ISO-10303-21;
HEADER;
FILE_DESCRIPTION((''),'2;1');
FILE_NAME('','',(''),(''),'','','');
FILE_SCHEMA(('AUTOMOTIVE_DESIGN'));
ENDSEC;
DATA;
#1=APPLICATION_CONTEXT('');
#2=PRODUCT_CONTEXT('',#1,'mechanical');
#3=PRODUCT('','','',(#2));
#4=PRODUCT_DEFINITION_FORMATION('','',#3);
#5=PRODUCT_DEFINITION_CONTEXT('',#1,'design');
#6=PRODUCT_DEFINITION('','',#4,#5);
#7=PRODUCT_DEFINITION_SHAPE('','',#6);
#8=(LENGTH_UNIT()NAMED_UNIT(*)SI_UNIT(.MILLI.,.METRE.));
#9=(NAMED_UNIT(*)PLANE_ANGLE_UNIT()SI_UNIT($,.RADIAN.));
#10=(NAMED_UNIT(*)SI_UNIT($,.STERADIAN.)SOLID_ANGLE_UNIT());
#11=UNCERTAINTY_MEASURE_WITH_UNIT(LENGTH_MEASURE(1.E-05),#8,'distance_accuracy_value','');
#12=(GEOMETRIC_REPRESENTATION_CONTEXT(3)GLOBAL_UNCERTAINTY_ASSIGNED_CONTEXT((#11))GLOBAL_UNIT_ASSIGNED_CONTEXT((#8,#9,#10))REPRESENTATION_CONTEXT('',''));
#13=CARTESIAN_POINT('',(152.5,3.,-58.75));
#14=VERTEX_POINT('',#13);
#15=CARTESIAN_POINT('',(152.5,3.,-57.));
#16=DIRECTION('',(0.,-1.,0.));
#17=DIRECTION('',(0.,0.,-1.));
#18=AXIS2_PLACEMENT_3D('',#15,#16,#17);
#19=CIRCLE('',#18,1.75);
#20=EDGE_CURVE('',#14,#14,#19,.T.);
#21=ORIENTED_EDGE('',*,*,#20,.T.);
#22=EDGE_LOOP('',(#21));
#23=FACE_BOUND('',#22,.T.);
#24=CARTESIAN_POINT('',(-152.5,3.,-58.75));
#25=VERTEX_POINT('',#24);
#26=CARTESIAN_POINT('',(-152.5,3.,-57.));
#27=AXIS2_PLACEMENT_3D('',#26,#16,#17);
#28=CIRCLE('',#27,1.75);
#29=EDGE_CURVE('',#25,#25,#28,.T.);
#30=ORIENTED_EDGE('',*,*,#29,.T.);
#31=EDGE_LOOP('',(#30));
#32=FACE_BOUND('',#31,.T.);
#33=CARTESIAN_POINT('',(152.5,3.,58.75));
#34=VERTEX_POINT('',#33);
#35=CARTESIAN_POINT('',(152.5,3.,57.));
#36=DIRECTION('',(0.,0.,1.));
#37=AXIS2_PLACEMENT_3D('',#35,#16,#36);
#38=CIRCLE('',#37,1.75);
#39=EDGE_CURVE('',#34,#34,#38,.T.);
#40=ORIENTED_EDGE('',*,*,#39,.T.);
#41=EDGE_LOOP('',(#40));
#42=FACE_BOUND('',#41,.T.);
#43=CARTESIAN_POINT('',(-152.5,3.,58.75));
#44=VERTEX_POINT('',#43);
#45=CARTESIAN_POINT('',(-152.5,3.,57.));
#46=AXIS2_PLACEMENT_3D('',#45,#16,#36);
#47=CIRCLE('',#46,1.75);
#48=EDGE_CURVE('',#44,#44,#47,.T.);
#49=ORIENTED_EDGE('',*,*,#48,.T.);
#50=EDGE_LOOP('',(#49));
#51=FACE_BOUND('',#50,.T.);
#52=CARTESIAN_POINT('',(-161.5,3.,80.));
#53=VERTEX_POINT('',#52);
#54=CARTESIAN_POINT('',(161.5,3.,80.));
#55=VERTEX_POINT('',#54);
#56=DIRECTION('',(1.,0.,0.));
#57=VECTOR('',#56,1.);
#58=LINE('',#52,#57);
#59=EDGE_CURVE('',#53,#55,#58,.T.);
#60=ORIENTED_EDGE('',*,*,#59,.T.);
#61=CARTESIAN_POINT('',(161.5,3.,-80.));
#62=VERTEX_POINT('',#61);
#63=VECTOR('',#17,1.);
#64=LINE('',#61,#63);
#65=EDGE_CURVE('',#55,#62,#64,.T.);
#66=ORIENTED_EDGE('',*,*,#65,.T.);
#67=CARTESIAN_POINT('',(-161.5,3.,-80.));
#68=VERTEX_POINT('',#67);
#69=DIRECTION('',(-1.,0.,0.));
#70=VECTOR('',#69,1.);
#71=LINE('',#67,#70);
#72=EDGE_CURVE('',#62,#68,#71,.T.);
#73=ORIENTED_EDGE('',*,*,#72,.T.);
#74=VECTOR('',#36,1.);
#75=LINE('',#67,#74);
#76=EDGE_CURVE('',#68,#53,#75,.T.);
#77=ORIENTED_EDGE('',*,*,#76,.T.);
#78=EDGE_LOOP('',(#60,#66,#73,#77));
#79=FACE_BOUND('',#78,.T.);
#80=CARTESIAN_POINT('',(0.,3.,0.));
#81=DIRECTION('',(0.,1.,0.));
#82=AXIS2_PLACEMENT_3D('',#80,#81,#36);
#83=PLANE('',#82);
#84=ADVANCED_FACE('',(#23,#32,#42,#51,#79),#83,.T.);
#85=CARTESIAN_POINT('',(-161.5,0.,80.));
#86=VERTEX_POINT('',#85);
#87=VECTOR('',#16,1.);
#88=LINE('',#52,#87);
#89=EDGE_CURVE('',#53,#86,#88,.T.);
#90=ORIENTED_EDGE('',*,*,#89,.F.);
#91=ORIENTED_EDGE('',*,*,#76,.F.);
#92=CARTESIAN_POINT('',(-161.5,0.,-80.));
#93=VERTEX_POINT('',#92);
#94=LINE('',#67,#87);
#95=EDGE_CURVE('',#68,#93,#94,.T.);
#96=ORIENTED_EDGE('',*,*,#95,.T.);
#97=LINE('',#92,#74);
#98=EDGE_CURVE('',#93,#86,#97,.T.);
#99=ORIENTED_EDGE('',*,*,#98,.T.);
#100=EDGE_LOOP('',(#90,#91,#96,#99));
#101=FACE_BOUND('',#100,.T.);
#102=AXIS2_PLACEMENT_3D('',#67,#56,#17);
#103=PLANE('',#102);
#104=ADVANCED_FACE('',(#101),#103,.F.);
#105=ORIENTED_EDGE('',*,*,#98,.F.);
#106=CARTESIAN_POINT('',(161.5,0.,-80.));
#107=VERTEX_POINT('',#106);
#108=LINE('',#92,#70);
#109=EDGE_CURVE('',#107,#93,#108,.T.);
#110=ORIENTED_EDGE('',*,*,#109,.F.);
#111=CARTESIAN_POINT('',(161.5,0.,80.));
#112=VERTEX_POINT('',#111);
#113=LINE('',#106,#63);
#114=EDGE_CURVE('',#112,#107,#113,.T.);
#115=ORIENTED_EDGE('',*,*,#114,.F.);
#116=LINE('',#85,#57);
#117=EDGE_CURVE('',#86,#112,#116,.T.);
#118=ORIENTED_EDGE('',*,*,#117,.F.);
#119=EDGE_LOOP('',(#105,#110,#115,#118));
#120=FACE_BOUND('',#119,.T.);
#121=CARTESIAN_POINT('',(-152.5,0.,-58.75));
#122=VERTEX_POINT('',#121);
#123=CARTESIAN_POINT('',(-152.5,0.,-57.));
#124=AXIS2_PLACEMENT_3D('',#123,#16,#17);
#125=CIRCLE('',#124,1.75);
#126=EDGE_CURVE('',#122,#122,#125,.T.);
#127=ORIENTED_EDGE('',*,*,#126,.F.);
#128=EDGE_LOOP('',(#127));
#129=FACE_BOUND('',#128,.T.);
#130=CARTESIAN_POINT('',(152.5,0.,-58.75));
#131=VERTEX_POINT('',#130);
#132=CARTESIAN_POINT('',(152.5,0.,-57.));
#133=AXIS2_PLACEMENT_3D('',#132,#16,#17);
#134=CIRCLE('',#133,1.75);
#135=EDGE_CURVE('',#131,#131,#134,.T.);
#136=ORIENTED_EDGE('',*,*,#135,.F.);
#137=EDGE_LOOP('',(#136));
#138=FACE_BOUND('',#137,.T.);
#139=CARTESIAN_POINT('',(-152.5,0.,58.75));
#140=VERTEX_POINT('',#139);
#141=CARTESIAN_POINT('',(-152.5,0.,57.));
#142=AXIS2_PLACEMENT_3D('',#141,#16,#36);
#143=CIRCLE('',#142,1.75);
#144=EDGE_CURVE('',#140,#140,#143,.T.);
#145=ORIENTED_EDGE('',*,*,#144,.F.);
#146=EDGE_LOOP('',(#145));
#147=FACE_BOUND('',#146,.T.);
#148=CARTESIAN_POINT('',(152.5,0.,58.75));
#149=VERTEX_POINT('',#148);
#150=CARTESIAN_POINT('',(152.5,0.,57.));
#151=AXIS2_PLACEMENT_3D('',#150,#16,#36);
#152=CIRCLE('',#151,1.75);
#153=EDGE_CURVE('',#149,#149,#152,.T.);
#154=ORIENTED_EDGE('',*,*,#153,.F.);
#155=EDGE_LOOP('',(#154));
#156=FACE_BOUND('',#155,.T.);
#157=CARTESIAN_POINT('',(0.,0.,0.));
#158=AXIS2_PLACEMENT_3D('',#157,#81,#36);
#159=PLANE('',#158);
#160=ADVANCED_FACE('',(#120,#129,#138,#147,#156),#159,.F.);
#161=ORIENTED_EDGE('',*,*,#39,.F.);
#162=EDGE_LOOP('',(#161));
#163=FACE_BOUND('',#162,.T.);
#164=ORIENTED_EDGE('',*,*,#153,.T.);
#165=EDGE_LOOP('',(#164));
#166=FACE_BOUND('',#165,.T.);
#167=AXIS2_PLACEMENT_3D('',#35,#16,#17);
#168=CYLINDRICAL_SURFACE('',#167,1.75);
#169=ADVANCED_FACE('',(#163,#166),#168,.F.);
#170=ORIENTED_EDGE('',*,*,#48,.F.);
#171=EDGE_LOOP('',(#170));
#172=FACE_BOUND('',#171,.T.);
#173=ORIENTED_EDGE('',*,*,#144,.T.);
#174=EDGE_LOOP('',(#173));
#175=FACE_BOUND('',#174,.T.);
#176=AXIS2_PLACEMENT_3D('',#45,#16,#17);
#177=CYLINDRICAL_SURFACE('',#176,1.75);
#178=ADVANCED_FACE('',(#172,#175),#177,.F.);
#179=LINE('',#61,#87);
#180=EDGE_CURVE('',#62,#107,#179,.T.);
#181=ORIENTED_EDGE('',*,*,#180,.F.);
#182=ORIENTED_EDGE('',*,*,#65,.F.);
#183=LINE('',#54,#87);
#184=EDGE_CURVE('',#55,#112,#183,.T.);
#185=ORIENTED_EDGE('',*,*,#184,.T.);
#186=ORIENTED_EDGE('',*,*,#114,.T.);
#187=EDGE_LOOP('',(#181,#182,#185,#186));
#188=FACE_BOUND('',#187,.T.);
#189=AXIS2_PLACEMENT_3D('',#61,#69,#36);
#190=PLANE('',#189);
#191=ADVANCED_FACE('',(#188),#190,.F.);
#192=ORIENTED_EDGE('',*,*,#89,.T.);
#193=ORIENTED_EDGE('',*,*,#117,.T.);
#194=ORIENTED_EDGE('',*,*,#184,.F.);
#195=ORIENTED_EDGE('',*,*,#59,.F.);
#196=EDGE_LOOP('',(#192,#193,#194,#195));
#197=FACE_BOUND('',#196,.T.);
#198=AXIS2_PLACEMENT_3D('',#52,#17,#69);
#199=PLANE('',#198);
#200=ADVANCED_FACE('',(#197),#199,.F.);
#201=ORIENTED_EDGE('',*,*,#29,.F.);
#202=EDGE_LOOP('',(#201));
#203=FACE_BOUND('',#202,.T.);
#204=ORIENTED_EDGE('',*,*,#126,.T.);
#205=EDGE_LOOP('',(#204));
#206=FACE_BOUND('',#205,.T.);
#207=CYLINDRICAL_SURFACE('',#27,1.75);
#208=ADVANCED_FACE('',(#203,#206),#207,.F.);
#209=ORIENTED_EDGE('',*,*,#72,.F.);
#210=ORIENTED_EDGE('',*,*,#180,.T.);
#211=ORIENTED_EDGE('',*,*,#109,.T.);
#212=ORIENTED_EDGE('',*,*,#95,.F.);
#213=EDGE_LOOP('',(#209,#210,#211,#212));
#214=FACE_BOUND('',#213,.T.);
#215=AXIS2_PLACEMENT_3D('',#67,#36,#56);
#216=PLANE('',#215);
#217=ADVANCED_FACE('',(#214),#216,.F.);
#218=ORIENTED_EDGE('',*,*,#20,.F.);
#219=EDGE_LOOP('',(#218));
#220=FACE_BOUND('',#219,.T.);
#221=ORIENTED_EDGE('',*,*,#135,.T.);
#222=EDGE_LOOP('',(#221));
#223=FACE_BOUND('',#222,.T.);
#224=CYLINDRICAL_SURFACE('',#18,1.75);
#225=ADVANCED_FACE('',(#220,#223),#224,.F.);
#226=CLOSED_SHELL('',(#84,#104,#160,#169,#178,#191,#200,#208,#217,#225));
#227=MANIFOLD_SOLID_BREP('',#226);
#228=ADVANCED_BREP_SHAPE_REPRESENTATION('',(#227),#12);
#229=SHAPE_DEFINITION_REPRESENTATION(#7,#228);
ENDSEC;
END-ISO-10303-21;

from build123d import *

# Parameters (mm, degrees)
SKETCH1_W           = 323
SKETCH1_H           = 160
BOSS_EXTRUDE1_DEPTH = 3
SKETCH2_R           = 1.75
CUT_EXTRUDE1_DEPTH  = 4


with BuildPart() as part:
    # Sketch1 → Boss-Extrude1 (new body)
    with BuildSketch(Plane(origin=(0, 0, 0), x_dir=(1, 0, 0), z_dir=(0, 1, 0))):
        Rectangle(SKETCH1_W, SKETCH1_H)
    extrude(amount=BOSS_EXTRUDE1_DEPTH)

    # Sketch2 → Cut-Extrude1 (cut, through all)
    with BuildSketch(Plane.XZ):
        with Locations(Location((-152.5, -57, 0), (0, 0, 270))):  # turned: the seam where the file's is
            Circle(SKETCH2_R)
        with Locations(Location((152.5, -57, 0), (0, 0, 270))):  # turned: the seam where the file's is
            Circle(SKETCH2_R)
        with Locations(Location((152.5, 57, 0), (0, 0, 90))):  # turned: the seam where the file's is
            Circle(SKETCH2_R)
        with Locations(Location((-152.5, 57, 0), (0, 0, 90))):  # turned: the seam where the file's is
            Circle(SKETCH2_R)
    extrude(amount=-CUT_EXTRUDE1_DEPTH, mode=Mode.SUBTRACT)


solid = part.part
